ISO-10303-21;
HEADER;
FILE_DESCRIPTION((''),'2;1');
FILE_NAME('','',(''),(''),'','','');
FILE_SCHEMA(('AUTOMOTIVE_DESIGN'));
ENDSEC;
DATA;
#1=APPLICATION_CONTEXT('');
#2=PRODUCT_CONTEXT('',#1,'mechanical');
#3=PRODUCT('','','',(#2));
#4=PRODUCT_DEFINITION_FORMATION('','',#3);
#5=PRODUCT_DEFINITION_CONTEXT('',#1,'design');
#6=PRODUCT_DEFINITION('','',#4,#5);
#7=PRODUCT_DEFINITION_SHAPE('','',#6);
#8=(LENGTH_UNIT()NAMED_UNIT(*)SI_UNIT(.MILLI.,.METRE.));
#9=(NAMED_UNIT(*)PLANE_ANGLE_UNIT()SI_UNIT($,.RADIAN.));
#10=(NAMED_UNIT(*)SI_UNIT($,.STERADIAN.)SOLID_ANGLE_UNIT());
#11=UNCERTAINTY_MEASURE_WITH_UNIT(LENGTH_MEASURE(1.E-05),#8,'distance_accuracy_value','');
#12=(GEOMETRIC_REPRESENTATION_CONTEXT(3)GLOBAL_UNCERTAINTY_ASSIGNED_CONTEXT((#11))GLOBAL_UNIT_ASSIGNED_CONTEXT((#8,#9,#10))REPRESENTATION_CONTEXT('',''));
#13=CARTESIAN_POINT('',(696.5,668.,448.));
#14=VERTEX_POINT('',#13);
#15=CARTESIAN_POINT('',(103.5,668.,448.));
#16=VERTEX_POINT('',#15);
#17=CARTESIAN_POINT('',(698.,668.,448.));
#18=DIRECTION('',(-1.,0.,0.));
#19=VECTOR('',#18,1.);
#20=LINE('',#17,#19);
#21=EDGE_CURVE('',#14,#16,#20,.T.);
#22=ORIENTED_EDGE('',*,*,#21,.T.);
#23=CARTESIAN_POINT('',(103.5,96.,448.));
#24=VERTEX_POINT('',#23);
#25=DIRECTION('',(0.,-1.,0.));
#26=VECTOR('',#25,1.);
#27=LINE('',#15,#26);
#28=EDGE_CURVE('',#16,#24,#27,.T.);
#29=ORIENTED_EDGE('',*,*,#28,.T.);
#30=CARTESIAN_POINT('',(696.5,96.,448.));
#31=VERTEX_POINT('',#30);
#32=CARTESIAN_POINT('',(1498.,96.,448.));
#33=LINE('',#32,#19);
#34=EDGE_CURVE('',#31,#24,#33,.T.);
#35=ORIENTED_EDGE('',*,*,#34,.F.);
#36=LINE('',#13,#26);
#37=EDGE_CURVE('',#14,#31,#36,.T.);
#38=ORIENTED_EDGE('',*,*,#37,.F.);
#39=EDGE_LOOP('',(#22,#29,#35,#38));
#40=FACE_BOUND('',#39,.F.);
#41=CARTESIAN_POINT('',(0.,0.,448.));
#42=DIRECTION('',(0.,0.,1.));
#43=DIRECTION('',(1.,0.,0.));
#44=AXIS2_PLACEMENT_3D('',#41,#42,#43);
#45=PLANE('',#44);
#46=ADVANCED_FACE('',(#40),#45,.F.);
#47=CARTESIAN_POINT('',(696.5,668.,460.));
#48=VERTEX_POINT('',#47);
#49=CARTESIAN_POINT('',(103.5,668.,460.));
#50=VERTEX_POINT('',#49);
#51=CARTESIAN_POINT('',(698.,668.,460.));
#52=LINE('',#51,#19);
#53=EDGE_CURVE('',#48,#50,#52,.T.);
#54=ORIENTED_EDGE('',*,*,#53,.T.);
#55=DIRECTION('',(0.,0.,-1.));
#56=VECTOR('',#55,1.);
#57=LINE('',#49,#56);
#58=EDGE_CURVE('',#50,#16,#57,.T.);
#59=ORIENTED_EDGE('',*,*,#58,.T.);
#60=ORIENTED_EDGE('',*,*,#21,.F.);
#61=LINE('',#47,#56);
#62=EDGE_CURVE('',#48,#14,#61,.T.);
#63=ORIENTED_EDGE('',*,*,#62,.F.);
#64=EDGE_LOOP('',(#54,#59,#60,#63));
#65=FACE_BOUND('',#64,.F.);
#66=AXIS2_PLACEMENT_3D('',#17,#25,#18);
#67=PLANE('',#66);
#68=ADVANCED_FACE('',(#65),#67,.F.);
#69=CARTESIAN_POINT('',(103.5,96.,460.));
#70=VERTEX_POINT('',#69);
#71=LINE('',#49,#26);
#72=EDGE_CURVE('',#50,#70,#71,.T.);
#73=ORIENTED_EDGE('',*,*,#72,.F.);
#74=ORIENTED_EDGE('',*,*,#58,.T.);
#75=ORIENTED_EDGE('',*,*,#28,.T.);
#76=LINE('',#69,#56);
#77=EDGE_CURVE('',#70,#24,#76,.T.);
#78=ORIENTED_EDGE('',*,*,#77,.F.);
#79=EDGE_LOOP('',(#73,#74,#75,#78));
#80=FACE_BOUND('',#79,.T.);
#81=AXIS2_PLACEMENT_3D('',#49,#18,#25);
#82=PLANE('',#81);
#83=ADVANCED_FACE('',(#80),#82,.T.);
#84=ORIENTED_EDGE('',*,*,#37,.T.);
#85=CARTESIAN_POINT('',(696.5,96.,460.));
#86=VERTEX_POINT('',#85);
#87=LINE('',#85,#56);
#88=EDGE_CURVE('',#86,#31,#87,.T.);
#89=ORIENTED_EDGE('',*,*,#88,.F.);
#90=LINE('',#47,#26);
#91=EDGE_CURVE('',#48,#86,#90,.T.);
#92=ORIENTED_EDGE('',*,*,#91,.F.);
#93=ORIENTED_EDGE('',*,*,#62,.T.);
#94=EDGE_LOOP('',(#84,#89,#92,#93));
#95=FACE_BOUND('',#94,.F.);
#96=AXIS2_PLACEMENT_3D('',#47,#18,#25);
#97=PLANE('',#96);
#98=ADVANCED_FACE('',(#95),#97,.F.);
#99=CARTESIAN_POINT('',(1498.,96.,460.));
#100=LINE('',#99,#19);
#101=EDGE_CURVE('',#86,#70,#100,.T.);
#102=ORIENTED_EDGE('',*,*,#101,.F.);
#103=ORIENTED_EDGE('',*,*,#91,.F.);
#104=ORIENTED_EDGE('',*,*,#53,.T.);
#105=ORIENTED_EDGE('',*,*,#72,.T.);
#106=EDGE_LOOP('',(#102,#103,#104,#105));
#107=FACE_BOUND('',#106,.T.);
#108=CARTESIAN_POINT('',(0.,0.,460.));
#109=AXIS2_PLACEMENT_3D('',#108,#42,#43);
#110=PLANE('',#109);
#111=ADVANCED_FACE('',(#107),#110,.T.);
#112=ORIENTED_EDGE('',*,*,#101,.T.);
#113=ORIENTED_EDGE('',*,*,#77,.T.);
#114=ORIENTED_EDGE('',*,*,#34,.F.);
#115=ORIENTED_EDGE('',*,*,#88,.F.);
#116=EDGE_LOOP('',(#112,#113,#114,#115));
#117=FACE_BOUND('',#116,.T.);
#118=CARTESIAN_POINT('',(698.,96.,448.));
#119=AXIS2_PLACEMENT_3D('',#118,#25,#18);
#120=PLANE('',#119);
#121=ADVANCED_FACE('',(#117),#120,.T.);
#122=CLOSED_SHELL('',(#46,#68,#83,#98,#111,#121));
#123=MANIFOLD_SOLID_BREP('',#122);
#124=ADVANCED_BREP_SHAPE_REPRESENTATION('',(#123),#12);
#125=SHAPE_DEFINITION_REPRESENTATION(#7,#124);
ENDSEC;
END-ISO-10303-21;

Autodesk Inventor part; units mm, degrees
ref_plane "YZ Plane" through (0, 0, 0) normal (1, 0, 0) x (0, 1, 0)
ref_plane "XZ Plane" through (0, 0, 0) normal (0, 1, 0) x (-1, 0, 0)
sketch "Sketch1" plane through (0, 0, 0) normal (0, 0, 1) x (1, 0, 0)
  line L0 (-1498, 0) -> (1498, 0) construction
  line L1 (-1498, 0) -> (-898, 0)
  line L2 (-898, 0) -> (-898, 2068)
  line L3 (-898, 2068) -> (-1498, 2068)
  line L4 (-1498, 2068) -> (-1498, 0)
  line L5 (-898, 0) -> (-498, 0)
  line L6 (-498, 0) -> (-498, 816)
  line L7 (-498, 816) -> (-898, 816)
  line L8 (-898, 816) -> (-898, 0)
  line L9 (-498, 0) -> (102, 0)
  line L10 (102, 0) -> (102, 816)
  line L11 (102, 816) -> (-498, 816)
  line L12 (-498, 816) -> (-498, 0)
  line L13 (102, 0) -> (698, 0)
  line L14 (698, 0) -> (698, 668)
  line L15 (698, 668) -> (102, 668)
  line L16 (102, 668) -> (102, 0)
  line L17 (698, 0) -> (1498, 0)
  line L18 (1498, 0) -> (1498, 816)
  line L19 (1498, 816) -> (698, 816)
  line L20 (698, 816) -> (698, 0)
  line L21 (-1498, 0) -> (1498, 0)
  line L22 (1498, 0) -> (1498, 96)
  line L23 (1498, 96) -> (-1498, 96)
  line L24 (-1498, 96) -> (-1498, 0)
  line L25 (-898, 816) -> (1498, 816)
  line L26 (1498, 816) -> (1498, 832)
  line L27 (1498, 832) -> (-898, 832)
  line L28 (-898, 832) -> (-898, 816)
  line L29 (-898, 1972) -> (-498, 1972)
  line L30 (-498, 1972) -> (-498, 1372)
  line L31 (-498, 1372) -> (-898, 1372)
  line L32 (-898, 1372) -> (-898, 1972)
  line L33 (698, 1972) -> (1498, 1972)
  line L34 (1498, 1972) -> (1498, 1372)
  line L35 (1498, 1372) -> (698, 1372)
  line L36 (698, 1372) -> (698, 1972)
  line L37 (698, 1372) -> (98, 1372)
  line L38 (98, 1372) -> (98, 1972)
  line L39 (98, 1972) -> (698, 1972)
  line L40 (698, 1972) -> (698, 1372)
  line L41 (-498, 1372) -> (98, 1372)
  line L42 (-498, 1372) -> (-275, 1637.7611)
  line L43 (98, 1372) -> (-125, 1637.7611)
  line L44 (-275, 1637.7611) -> (-125, 1637.7611)
  line L45 (-125, 1637.7611) -> (-125, 2068)
  line L46 (-125, 2068) -> (-275, 2068)
  line L47 (-275, 2068) -> (-275, 1637.7611)
  line L48 (1098, 816) -> (1098, 96)
  line L49 (-198, 816) -> (-198, 96)
  line L50 (-898, 668) -> (-498, 668)
  line L51 (-1498, 520) -> (-898, 520)
  line L52 (-1498, 1579) -> (-898, 1579)
  line L53 (398, 1972) -> (398, 1372)
  line L54 (1098, 1972) -> (1098, 1372)
  line L55 (698, 1876) -> (1498, 1876)
  line L56 (698, 1468) -> (1498, 1468)
  line L57 (-1498, 1049.5) -> (-898, 1049.5)
  point P0 (0, 0)
  point P1 (0, 0)
  point P2 (0, 0)
  point P3 (-198, 816)
  point P4 (0, 0)
  dimension "d0" = 2996
  dimension "d1" = 600
  dimension "d2" = 2068
  dimension "d3" = 400
  dimension "d4" = 816
  dimension "d5" = 600
  dimension "d6" = 816
  dimension "d7" = 596
  dimension "d8" = 668
  dimension "d9" = 800
  dimension "d10" = 816
  dimension "d11" = 96
  dimension "d12" = 16
  dimension "d13" = 400
  dimension "d14" = 600
  dimension "d15" = 96
  dimension "d16" = 800
  dimension "d17" = 600
  dimension "d18" = 600
  dimension "d19" = 600
  dimension "d20" = 50
  dimension "d21" = 150
  dimension "d22" = 148
  dimension "d23" = 1059
  dimension "d24" = 96
  dimension "d25" = 96
  dimension "d26" = 529.5
ref_plane "Work Plane1" through (0, 0, 448) normal (0, 0, 1) x (1, 0, 0)
sketch "Sketch2" plane through (0, 0, 448) normal (0, 0, 1) x (1, 0, 0)
  line L0 (698, 668) -> (102, 668) projected
  line L1 (102, 668) -> (102, 0) projected
  line L2 (1498, 96) -> (-1498, 96) projected
  line L3 (698, 0) -> (698, 668) projected
  point P0 (0, 0)
  point P1 (102, 96)
  point P2 (698, 96)
extrude "Extrusion1" add sketch "Sketch2" along normal blind 12
sketch "Sketch3" plane through (0, 0, 460) normal (0, 0, 1) x (1, 0, 0)
  line L0 (102, 668) -> (102, 96) projected
  line L1 (102, 96) -> (698, 96) projected
  line L2 (102, 668) -> (103.5, 668)
  line L3 (103.5, 668) -> (103.5, 96)
  line L4 (103.5, 96) -> (102, 96)
  line L5 (102, 96) -> (102, 668)
  line L6 (698, 96) -> (698, 668) projected
  line L7 (698, 668) -> (696.5, 668)
  line L8 (696.5, 668) -> (696.5, 96)
  line L9 (696.5, 96) -> (698, 96)
  line L10 (698, 96) -> (698, 668)
  point P0 (0, 0)
  point P1 (696.5, 96)
  dimension "d30" = 1.5
  dimension "d31" = 1.5
extrude "Extrusion2" cut sketch "Sketch3" against normal blind 12
properties part number "Dishwasher Door"
